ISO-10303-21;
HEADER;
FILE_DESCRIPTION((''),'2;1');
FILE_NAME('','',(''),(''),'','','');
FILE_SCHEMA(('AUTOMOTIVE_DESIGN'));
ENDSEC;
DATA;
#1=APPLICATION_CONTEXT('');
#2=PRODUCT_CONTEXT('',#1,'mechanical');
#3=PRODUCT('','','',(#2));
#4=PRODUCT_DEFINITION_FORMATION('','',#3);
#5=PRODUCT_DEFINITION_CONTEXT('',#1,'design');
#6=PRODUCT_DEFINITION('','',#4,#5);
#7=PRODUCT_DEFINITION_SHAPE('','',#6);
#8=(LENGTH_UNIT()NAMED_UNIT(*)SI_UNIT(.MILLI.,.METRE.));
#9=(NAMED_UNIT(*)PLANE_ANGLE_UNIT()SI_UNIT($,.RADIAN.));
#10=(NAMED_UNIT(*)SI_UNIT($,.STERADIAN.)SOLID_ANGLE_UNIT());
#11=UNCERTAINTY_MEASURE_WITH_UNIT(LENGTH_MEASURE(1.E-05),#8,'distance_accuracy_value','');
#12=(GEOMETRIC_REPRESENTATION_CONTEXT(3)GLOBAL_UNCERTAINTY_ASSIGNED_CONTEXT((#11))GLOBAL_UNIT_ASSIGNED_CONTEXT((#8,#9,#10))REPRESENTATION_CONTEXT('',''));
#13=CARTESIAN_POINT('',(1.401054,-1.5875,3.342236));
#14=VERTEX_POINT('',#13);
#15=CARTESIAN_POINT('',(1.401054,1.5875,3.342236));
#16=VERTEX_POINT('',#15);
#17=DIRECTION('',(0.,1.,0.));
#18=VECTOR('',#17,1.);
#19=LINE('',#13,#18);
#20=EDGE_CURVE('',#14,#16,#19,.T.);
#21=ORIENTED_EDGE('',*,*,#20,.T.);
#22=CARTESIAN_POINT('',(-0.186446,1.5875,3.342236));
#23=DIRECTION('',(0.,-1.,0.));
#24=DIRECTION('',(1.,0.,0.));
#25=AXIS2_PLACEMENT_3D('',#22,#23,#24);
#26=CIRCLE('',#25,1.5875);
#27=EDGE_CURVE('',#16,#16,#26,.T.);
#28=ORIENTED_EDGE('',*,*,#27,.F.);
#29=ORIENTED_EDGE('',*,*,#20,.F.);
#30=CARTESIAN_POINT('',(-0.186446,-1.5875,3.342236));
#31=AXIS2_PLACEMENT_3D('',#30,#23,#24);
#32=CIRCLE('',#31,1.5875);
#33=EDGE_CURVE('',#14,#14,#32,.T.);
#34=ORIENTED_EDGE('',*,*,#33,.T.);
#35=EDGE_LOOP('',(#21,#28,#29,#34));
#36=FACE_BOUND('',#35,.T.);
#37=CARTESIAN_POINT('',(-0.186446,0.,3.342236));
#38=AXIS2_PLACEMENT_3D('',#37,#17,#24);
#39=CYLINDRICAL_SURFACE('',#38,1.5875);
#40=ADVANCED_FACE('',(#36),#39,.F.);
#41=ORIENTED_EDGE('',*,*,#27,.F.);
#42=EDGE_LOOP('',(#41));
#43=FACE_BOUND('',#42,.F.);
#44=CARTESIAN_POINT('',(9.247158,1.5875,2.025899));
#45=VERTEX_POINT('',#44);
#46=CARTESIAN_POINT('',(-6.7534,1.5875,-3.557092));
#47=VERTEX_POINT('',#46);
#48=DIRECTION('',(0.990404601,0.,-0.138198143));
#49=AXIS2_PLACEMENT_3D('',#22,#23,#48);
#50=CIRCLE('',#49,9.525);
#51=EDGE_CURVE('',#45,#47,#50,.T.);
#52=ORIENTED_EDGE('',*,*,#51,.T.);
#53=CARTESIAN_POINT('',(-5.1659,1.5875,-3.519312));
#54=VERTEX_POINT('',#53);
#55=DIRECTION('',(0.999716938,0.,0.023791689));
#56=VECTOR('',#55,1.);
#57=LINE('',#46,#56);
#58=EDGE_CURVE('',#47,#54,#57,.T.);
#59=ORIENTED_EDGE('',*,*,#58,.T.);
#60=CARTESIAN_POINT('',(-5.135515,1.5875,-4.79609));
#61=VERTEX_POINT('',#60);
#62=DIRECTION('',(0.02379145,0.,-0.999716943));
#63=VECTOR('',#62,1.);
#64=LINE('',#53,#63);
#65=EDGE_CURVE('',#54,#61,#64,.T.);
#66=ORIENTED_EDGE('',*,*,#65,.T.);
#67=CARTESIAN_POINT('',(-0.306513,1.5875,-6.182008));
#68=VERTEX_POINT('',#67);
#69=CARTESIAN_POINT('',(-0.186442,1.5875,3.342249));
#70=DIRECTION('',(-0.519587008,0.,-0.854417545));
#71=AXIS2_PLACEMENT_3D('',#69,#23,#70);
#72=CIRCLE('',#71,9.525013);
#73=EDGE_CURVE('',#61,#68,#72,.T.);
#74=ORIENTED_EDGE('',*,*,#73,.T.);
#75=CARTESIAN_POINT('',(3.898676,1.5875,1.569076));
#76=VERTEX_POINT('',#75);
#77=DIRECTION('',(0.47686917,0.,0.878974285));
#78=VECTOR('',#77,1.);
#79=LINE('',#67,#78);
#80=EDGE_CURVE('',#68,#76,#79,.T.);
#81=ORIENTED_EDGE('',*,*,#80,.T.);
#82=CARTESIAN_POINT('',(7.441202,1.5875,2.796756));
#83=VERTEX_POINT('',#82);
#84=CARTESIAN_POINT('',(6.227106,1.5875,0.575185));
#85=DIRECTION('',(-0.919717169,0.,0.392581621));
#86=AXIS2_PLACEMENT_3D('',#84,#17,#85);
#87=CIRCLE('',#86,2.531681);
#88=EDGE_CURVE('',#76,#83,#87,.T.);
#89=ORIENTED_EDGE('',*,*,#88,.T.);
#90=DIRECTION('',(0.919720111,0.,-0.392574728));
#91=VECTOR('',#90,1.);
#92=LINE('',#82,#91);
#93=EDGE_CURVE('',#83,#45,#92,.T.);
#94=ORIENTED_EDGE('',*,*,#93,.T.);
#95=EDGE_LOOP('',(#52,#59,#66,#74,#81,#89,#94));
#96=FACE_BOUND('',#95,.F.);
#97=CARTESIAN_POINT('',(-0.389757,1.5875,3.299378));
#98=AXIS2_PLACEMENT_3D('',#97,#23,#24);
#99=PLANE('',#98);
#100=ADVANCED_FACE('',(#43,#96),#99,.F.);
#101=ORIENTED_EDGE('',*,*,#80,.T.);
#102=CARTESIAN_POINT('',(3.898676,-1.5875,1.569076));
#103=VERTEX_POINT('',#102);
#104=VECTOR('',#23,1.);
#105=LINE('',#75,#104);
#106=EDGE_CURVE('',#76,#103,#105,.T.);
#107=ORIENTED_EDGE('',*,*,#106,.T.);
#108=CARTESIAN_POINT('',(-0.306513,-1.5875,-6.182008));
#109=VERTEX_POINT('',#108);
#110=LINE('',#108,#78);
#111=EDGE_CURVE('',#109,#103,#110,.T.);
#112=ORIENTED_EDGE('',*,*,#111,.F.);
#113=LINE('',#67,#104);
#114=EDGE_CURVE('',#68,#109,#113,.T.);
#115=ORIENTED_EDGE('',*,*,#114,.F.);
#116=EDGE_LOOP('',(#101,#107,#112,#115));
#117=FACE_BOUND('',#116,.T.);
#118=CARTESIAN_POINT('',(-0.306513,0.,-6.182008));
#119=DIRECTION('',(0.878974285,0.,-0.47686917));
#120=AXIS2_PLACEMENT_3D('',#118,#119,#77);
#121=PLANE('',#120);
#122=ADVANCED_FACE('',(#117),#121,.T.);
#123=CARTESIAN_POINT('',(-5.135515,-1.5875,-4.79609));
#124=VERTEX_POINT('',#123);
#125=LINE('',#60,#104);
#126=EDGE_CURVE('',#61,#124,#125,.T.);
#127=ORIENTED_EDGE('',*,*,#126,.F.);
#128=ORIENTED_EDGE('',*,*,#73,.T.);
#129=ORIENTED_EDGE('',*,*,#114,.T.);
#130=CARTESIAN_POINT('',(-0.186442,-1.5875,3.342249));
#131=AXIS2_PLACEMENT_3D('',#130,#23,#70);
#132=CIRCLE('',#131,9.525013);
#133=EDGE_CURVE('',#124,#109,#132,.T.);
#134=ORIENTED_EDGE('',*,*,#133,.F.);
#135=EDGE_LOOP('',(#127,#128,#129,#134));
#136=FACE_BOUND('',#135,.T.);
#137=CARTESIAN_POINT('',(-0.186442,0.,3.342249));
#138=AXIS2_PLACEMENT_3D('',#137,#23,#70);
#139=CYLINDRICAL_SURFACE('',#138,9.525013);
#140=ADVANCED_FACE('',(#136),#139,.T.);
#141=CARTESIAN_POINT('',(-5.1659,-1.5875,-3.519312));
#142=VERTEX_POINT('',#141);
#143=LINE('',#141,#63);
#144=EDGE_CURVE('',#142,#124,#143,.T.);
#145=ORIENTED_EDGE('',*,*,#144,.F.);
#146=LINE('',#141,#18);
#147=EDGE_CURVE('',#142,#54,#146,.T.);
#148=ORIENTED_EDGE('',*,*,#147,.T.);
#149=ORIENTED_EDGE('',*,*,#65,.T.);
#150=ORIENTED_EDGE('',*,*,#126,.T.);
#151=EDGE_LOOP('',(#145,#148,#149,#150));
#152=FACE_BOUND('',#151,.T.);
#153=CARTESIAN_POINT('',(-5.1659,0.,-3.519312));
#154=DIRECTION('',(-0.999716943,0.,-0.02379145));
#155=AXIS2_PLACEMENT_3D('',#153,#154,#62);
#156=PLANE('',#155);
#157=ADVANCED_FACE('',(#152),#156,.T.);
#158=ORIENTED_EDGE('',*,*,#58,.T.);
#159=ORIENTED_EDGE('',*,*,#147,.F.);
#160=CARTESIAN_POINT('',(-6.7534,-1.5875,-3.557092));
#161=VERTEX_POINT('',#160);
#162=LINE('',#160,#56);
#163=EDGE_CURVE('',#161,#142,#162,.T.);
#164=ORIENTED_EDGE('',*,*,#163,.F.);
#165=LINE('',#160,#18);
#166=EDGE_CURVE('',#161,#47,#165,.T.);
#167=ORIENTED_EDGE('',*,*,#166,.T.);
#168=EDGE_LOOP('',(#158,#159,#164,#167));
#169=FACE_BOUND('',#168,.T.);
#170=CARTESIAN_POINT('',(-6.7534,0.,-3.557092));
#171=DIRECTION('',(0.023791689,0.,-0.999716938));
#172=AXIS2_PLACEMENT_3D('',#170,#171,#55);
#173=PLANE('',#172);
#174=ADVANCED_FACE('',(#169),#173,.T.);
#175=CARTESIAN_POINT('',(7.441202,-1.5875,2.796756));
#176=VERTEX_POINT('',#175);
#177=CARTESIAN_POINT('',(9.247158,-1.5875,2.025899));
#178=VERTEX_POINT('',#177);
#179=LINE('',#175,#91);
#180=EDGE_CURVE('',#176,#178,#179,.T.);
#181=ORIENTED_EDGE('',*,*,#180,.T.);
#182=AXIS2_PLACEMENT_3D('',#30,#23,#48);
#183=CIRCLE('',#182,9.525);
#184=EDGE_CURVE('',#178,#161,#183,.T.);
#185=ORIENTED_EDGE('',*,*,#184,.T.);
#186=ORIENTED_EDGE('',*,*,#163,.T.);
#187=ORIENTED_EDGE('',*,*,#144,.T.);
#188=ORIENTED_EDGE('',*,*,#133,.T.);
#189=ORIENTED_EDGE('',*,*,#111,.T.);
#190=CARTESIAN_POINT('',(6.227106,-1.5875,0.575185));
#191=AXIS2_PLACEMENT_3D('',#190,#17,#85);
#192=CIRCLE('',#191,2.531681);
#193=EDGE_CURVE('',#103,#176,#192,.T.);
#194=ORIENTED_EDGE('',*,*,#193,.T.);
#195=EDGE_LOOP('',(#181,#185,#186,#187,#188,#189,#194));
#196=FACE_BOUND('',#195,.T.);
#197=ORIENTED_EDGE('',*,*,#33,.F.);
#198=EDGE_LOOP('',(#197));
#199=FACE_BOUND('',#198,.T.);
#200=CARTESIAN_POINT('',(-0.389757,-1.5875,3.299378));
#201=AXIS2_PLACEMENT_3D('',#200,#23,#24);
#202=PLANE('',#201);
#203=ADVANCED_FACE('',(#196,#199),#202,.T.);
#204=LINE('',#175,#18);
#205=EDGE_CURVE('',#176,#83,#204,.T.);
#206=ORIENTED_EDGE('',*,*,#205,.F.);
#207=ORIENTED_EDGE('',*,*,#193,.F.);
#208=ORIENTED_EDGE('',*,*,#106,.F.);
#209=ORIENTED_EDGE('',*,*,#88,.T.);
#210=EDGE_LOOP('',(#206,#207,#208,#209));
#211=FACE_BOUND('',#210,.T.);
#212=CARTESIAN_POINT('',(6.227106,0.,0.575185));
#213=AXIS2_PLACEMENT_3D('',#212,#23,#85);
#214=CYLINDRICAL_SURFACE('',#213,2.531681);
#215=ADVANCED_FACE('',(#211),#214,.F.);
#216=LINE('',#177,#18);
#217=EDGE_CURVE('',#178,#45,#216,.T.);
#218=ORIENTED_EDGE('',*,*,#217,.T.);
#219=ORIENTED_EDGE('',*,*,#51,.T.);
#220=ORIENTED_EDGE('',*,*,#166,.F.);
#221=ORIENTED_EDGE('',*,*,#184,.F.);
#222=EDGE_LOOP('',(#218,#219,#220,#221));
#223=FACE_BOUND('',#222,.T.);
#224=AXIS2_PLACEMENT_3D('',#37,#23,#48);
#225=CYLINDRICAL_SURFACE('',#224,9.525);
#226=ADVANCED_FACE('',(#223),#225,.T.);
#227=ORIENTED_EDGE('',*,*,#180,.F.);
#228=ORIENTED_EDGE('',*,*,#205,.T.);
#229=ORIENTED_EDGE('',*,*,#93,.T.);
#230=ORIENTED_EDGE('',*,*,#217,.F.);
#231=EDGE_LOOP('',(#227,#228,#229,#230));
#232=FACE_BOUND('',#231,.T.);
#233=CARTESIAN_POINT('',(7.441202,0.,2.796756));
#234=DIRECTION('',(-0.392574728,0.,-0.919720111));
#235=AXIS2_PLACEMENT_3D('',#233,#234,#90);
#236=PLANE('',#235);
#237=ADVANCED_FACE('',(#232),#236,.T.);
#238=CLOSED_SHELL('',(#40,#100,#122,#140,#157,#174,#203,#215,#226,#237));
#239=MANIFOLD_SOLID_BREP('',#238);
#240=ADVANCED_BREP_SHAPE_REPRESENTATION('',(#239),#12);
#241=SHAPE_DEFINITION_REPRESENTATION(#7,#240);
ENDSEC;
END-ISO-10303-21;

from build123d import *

# Parameters (mm, degrees)
F0_R     = 1.5875
F1_DEPTH = 1.5875


with BuildPart() as f1:
    # F0 (on Front) → F1 (new body, symmetric)
    with BuildSketch(Plane.XZ):
        with BuildLine():
            Line((-5.1659, -3.519312), (-5.135515, -4.79609))
            ThreePointArc((-5.135515, -4.79609), (-2.814035, -5.813167), (-0.306513, -6.182008))
            Line((-0.306513, -6.182008), (3.898676, 1.569076))
            ThreePointArc((3.898676, 1.569076), (5.39811, 2.967291), (7.441202, 2.796756))
            Line((7.441202, 2.796756), (9.247158, 2.025899))
            ThreePointArc((9.247158, 2.025899), (-3.324417, 12.335498), (-6.7534, -3.557092))
            Line((-6.7534, -3.557092), (-5.1659, -3.519312))
        make_face()
        with Locations((-0.186446, 3.342236)):
            Circle(F0_R, mode=Mode.SUBTRACT)
    extrude(amount=F1_DEPTH, both=True)


solid = f1.part
